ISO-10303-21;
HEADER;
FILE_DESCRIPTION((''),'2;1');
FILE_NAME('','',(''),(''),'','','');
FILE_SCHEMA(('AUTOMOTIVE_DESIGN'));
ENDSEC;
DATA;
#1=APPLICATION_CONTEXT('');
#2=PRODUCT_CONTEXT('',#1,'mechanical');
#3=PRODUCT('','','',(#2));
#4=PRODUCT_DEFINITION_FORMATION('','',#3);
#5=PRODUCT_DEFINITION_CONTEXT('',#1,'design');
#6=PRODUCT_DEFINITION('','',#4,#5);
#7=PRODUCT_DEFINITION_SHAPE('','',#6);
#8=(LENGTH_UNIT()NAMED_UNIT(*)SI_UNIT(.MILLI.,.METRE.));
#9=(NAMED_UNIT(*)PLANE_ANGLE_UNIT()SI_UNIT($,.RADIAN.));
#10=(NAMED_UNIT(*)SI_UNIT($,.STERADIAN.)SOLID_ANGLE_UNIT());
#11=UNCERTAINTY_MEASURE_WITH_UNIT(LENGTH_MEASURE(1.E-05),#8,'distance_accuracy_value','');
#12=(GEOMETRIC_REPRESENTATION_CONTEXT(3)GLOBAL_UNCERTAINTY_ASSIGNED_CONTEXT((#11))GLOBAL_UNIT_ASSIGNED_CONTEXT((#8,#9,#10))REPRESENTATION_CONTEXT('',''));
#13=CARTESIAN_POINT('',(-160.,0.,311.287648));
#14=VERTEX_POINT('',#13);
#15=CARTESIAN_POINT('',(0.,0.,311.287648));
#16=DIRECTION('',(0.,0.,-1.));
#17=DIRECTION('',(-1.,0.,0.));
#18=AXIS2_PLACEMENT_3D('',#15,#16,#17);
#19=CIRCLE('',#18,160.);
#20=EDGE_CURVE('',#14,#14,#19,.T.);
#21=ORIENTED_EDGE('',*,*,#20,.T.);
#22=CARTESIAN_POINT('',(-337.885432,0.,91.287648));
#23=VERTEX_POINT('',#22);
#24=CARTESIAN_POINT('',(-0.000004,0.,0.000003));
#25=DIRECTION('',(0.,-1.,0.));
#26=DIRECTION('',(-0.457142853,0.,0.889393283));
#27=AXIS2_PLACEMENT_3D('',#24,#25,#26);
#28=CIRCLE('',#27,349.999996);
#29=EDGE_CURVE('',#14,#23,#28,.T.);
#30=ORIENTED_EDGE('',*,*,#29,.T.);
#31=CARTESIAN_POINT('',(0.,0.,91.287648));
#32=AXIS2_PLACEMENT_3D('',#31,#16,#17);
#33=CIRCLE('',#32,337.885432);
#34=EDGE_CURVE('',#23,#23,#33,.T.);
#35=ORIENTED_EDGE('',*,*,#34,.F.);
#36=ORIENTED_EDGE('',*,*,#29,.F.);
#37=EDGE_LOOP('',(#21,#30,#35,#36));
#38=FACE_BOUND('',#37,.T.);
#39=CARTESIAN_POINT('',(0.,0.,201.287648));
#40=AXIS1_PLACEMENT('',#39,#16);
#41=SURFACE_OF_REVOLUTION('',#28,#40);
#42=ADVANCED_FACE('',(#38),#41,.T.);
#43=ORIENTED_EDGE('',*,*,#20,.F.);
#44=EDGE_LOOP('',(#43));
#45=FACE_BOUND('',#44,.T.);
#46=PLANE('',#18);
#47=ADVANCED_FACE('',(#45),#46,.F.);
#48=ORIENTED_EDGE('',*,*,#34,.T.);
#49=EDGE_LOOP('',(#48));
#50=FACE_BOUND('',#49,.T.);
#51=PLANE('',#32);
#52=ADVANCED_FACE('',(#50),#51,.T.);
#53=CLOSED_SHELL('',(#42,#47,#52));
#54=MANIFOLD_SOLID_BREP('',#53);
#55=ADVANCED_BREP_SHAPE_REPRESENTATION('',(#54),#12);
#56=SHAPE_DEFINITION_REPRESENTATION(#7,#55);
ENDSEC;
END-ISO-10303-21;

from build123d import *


with BuildPart() as f1:
    # F0 (on Front) → F1 (revolve)
    with BuildSketch(Plane.XZ):
        with BuildLine():
            ThreePointArc((-160, 311.287648), (-272.162591, 220.062546), (-337.885432, 91.287648))
            Line((-337.885432, 91.287648), (0, 91.287648))
            Line((0, 91.287648), (0, 311.287648))
            Line((0, 311.287648), (-160, 311.287648))
        make_face()
    revolve(axis=Axis((0, 0, 201.287648), (0, 0, -1)))


solid = f1.part
